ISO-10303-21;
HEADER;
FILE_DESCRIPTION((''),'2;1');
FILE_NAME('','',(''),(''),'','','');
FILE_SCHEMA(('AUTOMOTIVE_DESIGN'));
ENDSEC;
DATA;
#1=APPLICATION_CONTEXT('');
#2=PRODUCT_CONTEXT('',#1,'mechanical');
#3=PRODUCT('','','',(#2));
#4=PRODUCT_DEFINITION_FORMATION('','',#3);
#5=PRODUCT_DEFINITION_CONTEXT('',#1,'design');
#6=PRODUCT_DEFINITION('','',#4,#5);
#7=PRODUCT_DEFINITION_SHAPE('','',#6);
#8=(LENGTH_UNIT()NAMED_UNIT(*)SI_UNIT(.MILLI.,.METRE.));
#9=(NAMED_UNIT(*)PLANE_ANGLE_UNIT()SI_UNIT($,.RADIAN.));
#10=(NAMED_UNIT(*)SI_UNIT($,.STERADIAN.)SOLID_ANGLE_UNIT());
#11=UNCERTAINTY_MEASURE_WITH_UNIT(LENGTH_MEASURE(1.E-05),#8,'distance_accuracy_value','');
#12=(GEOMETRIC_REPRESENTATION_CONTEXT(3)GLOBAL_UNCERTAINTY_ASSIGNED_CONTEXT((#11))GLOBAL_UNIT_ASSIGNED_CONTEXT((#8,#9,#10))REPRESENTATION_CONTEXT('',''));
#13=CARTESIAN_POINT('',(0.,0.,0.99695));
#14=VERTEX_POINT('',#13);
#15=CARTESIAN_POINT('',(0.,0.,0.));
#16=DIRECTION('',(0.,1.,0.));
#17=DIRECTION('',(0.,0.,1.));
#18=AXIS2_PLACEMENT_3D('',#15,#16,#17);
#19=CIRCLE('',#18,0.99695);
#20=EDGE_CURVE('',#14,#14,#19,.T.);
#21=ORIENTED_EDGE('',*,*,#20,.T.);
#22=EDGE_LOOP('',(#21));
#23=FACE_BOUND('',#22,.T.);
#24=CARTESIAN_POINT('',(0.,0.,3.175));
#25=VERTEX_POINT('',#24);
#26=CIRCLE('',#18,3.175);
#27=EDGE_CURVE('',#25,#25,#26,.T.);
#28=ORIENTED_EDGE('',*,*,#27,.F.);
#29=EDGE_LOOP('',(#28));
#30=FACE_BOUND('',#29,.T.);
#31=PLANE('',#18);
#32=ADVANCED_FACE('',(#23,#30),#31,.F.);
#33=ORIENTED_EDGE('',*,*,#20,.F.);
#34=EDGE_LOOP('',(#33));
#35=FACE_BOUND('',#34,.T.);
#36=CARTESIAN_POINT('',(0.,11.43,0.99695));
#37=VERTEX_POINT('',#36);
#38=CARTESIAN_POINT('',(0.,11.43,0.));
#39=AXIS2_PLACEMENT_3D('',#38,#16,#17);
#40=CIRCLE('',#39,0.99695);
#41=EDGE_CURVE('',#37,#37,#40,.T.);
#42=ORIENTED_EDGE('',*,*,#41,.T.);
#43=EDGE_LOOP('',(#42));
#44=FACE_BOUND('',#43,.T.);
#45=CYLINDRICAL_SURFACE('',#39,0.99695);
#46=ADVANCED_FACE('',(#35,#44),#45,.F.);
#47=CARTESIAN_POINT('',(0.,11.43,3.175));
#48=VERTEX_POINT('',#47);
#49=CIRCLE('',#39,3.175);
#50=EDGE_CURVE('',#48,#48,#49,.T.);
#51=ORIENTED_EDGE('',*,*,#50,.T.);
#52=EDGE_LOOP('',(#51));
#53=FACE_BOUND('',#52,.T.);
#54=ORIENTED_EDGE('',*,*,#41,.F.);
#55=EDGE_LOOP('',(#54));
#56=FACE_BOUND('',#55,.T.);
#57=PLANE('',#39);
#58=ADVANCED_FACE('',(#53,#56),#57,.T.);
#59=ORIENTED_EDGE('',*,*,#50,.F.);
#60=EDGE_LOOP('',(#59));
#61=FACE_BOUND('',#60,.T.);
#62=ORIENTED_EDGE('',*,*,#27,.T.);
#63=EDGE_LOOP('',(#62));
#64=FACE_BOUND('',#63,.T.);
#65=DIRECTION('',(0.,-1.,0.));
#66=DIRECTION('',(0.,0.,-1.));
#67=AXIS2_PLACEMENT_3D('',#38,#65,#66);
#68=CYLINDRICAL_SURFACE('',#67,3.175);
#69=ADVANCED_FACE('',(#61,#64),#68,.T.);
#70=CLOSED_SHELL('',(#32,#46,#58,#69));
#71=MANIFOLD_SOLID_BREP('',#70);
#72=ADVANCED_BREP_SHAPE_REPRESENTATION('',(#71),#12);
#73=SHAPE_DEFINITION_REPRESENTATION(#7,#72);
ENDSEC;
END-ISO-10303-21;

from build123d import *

# Parameters (mm, degrees)
SKETCH1_R             = 3.175
BOSS_EXTRUDE1_DEPTH   = 11.43
F_3_48_TAPPED_HOLE1_D = 1.9939


with BuildPart() as part:
    # Sketch1 → Boss-Extrude1 (new body)
    with BuildSketch(Plane(origin=(0, 0, 0), x_dir=(1, 0, 0), z_dir=(0, 1, 0))):
        with Locations(Location((0, 0, 0), (0, 0, 270))):
            Circle(SKETCH1_R)
    extrude(amount=BOSS_EXTRUDE1_DEPTH)

    # #3-48 Tapped Hole1 (through all)
    with Locations(Plane(origin=(0, 11.43, 0), x_dir=(1, 0, 0), z_dir=(0, 1, 0))):
        with Locations((0, 0)):
            Hole(F_3_48_TAPPED_HOLE1_D / 2)


solid = part.part
